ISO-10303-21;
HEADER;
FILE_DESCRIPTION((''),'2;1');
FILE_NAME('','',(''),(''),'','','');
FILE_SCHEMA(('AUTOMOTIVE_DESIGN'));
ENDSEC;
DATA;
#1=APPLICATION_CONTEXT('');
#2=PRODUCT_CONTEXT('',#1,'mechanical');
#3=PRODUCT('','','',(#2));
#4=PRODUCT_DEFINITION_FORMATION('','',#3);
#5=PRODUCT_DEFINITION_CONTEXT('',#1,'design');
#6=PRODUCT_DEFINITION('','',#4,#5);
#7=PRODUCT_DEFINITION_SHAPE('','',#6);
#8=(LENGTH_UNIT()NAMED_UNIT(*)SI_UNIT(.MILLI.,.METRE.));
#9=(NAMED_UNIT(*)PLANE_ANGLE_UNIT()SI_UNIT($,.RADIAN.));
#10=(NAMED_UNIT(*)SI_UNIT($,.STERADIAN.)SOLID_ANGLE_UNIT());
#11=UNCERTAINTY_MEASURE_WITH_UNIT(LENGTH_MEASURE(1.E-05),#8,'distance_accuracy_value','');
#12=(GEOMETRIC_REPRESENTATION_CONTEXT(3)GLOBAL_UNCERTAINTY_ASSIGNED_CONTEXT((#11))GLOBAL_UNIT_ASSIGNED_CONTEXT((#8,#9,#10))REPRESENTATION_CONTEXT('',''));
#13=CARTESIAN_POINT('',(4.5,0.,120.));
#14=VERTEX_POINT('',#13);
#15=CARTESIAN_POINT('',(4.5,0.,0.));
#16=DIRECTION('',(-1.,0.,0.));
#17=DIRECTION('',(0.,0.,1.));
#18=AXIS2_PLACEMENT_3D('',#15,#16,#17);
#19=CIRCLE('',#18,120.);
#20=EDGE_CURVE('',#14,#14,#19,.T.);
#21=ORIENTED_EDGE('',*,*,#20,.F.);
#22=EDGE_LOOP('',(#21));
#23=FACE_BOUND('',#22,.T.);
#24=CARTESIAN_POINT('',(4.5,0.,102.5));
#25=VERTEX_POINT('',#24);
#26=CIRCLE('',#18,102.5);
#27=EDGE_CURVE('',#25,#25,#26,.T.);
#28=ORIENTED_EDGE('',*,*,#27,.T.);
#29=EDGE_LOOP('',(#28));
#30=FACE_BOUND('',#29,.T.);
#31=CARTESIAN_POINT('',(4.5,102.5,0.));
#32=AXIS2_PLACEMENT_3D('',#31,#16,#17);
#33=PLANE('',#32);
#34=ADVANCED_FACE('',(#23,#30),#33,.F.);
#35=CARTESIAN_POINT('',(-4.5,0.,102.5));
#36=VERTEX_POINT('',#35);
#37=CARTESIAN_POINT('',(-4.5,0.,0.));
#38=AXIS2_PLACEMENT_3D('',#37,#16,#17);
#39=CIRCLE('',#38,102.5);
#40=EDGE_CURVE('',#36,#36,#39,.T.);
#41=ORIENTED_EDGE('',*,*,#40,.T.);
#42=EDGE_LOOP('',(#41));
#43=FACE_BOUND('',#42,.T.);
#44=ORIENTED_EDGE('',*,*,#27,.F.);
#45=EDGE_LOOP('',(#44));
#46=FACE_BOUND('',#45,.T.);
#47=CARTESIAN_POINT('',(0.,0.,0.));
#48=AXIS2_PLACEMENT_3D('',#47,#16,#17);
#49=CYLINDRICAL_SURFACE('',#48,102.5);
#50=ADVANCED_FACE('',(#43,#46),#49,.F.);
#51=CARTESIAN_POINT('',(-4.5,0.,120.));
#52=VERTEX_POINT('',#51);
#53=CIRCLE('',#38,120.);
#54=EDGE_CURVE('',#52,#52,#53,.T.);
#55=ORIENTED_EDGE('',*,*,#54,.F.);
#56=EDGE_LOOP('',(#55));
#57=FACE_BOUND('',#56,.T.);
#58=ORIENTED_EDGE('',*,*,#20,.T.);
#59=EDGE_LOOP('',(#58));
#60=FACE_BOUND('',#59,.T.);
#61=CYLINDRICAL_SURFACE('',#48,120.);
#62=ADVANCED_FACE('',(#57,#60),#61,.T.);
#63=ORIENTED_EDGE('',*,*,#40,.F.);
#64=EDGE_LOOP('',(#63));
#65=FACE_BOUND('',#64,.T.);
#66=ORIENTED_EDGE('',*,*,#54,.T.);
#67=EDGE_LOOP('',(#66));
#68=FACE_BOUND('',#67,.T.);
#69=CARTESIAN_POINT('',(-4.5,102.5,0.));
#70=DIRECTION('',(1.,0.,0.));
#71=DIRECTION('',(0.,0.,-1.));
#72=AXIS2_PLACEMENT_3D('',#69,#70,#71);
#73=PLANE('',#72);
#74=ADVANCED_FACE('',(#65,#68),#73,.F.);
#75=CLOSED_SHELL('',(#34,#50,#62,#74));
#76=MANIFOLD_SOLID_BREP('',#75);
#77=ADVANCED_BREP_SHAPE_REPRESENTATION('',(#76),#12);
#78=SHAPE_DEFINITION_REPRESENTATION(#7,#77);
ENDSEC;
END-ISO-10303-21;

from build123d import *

# Parameters (mm, degrees)
SKETCH1_W = 9
SKETCH1_H = 17.5


with BuildPart() as part:
    # Sketch1 → Revolve1 (revolve)
    with BuildSketch(Plane.XY):
        with Locations((0, 111.25)):
            Rectangle(SKETCH1_W, SKETCH1_H)
    revolve(axis=Axis((0, 0, 0), (1, 0, 0)))


solid = part.part
